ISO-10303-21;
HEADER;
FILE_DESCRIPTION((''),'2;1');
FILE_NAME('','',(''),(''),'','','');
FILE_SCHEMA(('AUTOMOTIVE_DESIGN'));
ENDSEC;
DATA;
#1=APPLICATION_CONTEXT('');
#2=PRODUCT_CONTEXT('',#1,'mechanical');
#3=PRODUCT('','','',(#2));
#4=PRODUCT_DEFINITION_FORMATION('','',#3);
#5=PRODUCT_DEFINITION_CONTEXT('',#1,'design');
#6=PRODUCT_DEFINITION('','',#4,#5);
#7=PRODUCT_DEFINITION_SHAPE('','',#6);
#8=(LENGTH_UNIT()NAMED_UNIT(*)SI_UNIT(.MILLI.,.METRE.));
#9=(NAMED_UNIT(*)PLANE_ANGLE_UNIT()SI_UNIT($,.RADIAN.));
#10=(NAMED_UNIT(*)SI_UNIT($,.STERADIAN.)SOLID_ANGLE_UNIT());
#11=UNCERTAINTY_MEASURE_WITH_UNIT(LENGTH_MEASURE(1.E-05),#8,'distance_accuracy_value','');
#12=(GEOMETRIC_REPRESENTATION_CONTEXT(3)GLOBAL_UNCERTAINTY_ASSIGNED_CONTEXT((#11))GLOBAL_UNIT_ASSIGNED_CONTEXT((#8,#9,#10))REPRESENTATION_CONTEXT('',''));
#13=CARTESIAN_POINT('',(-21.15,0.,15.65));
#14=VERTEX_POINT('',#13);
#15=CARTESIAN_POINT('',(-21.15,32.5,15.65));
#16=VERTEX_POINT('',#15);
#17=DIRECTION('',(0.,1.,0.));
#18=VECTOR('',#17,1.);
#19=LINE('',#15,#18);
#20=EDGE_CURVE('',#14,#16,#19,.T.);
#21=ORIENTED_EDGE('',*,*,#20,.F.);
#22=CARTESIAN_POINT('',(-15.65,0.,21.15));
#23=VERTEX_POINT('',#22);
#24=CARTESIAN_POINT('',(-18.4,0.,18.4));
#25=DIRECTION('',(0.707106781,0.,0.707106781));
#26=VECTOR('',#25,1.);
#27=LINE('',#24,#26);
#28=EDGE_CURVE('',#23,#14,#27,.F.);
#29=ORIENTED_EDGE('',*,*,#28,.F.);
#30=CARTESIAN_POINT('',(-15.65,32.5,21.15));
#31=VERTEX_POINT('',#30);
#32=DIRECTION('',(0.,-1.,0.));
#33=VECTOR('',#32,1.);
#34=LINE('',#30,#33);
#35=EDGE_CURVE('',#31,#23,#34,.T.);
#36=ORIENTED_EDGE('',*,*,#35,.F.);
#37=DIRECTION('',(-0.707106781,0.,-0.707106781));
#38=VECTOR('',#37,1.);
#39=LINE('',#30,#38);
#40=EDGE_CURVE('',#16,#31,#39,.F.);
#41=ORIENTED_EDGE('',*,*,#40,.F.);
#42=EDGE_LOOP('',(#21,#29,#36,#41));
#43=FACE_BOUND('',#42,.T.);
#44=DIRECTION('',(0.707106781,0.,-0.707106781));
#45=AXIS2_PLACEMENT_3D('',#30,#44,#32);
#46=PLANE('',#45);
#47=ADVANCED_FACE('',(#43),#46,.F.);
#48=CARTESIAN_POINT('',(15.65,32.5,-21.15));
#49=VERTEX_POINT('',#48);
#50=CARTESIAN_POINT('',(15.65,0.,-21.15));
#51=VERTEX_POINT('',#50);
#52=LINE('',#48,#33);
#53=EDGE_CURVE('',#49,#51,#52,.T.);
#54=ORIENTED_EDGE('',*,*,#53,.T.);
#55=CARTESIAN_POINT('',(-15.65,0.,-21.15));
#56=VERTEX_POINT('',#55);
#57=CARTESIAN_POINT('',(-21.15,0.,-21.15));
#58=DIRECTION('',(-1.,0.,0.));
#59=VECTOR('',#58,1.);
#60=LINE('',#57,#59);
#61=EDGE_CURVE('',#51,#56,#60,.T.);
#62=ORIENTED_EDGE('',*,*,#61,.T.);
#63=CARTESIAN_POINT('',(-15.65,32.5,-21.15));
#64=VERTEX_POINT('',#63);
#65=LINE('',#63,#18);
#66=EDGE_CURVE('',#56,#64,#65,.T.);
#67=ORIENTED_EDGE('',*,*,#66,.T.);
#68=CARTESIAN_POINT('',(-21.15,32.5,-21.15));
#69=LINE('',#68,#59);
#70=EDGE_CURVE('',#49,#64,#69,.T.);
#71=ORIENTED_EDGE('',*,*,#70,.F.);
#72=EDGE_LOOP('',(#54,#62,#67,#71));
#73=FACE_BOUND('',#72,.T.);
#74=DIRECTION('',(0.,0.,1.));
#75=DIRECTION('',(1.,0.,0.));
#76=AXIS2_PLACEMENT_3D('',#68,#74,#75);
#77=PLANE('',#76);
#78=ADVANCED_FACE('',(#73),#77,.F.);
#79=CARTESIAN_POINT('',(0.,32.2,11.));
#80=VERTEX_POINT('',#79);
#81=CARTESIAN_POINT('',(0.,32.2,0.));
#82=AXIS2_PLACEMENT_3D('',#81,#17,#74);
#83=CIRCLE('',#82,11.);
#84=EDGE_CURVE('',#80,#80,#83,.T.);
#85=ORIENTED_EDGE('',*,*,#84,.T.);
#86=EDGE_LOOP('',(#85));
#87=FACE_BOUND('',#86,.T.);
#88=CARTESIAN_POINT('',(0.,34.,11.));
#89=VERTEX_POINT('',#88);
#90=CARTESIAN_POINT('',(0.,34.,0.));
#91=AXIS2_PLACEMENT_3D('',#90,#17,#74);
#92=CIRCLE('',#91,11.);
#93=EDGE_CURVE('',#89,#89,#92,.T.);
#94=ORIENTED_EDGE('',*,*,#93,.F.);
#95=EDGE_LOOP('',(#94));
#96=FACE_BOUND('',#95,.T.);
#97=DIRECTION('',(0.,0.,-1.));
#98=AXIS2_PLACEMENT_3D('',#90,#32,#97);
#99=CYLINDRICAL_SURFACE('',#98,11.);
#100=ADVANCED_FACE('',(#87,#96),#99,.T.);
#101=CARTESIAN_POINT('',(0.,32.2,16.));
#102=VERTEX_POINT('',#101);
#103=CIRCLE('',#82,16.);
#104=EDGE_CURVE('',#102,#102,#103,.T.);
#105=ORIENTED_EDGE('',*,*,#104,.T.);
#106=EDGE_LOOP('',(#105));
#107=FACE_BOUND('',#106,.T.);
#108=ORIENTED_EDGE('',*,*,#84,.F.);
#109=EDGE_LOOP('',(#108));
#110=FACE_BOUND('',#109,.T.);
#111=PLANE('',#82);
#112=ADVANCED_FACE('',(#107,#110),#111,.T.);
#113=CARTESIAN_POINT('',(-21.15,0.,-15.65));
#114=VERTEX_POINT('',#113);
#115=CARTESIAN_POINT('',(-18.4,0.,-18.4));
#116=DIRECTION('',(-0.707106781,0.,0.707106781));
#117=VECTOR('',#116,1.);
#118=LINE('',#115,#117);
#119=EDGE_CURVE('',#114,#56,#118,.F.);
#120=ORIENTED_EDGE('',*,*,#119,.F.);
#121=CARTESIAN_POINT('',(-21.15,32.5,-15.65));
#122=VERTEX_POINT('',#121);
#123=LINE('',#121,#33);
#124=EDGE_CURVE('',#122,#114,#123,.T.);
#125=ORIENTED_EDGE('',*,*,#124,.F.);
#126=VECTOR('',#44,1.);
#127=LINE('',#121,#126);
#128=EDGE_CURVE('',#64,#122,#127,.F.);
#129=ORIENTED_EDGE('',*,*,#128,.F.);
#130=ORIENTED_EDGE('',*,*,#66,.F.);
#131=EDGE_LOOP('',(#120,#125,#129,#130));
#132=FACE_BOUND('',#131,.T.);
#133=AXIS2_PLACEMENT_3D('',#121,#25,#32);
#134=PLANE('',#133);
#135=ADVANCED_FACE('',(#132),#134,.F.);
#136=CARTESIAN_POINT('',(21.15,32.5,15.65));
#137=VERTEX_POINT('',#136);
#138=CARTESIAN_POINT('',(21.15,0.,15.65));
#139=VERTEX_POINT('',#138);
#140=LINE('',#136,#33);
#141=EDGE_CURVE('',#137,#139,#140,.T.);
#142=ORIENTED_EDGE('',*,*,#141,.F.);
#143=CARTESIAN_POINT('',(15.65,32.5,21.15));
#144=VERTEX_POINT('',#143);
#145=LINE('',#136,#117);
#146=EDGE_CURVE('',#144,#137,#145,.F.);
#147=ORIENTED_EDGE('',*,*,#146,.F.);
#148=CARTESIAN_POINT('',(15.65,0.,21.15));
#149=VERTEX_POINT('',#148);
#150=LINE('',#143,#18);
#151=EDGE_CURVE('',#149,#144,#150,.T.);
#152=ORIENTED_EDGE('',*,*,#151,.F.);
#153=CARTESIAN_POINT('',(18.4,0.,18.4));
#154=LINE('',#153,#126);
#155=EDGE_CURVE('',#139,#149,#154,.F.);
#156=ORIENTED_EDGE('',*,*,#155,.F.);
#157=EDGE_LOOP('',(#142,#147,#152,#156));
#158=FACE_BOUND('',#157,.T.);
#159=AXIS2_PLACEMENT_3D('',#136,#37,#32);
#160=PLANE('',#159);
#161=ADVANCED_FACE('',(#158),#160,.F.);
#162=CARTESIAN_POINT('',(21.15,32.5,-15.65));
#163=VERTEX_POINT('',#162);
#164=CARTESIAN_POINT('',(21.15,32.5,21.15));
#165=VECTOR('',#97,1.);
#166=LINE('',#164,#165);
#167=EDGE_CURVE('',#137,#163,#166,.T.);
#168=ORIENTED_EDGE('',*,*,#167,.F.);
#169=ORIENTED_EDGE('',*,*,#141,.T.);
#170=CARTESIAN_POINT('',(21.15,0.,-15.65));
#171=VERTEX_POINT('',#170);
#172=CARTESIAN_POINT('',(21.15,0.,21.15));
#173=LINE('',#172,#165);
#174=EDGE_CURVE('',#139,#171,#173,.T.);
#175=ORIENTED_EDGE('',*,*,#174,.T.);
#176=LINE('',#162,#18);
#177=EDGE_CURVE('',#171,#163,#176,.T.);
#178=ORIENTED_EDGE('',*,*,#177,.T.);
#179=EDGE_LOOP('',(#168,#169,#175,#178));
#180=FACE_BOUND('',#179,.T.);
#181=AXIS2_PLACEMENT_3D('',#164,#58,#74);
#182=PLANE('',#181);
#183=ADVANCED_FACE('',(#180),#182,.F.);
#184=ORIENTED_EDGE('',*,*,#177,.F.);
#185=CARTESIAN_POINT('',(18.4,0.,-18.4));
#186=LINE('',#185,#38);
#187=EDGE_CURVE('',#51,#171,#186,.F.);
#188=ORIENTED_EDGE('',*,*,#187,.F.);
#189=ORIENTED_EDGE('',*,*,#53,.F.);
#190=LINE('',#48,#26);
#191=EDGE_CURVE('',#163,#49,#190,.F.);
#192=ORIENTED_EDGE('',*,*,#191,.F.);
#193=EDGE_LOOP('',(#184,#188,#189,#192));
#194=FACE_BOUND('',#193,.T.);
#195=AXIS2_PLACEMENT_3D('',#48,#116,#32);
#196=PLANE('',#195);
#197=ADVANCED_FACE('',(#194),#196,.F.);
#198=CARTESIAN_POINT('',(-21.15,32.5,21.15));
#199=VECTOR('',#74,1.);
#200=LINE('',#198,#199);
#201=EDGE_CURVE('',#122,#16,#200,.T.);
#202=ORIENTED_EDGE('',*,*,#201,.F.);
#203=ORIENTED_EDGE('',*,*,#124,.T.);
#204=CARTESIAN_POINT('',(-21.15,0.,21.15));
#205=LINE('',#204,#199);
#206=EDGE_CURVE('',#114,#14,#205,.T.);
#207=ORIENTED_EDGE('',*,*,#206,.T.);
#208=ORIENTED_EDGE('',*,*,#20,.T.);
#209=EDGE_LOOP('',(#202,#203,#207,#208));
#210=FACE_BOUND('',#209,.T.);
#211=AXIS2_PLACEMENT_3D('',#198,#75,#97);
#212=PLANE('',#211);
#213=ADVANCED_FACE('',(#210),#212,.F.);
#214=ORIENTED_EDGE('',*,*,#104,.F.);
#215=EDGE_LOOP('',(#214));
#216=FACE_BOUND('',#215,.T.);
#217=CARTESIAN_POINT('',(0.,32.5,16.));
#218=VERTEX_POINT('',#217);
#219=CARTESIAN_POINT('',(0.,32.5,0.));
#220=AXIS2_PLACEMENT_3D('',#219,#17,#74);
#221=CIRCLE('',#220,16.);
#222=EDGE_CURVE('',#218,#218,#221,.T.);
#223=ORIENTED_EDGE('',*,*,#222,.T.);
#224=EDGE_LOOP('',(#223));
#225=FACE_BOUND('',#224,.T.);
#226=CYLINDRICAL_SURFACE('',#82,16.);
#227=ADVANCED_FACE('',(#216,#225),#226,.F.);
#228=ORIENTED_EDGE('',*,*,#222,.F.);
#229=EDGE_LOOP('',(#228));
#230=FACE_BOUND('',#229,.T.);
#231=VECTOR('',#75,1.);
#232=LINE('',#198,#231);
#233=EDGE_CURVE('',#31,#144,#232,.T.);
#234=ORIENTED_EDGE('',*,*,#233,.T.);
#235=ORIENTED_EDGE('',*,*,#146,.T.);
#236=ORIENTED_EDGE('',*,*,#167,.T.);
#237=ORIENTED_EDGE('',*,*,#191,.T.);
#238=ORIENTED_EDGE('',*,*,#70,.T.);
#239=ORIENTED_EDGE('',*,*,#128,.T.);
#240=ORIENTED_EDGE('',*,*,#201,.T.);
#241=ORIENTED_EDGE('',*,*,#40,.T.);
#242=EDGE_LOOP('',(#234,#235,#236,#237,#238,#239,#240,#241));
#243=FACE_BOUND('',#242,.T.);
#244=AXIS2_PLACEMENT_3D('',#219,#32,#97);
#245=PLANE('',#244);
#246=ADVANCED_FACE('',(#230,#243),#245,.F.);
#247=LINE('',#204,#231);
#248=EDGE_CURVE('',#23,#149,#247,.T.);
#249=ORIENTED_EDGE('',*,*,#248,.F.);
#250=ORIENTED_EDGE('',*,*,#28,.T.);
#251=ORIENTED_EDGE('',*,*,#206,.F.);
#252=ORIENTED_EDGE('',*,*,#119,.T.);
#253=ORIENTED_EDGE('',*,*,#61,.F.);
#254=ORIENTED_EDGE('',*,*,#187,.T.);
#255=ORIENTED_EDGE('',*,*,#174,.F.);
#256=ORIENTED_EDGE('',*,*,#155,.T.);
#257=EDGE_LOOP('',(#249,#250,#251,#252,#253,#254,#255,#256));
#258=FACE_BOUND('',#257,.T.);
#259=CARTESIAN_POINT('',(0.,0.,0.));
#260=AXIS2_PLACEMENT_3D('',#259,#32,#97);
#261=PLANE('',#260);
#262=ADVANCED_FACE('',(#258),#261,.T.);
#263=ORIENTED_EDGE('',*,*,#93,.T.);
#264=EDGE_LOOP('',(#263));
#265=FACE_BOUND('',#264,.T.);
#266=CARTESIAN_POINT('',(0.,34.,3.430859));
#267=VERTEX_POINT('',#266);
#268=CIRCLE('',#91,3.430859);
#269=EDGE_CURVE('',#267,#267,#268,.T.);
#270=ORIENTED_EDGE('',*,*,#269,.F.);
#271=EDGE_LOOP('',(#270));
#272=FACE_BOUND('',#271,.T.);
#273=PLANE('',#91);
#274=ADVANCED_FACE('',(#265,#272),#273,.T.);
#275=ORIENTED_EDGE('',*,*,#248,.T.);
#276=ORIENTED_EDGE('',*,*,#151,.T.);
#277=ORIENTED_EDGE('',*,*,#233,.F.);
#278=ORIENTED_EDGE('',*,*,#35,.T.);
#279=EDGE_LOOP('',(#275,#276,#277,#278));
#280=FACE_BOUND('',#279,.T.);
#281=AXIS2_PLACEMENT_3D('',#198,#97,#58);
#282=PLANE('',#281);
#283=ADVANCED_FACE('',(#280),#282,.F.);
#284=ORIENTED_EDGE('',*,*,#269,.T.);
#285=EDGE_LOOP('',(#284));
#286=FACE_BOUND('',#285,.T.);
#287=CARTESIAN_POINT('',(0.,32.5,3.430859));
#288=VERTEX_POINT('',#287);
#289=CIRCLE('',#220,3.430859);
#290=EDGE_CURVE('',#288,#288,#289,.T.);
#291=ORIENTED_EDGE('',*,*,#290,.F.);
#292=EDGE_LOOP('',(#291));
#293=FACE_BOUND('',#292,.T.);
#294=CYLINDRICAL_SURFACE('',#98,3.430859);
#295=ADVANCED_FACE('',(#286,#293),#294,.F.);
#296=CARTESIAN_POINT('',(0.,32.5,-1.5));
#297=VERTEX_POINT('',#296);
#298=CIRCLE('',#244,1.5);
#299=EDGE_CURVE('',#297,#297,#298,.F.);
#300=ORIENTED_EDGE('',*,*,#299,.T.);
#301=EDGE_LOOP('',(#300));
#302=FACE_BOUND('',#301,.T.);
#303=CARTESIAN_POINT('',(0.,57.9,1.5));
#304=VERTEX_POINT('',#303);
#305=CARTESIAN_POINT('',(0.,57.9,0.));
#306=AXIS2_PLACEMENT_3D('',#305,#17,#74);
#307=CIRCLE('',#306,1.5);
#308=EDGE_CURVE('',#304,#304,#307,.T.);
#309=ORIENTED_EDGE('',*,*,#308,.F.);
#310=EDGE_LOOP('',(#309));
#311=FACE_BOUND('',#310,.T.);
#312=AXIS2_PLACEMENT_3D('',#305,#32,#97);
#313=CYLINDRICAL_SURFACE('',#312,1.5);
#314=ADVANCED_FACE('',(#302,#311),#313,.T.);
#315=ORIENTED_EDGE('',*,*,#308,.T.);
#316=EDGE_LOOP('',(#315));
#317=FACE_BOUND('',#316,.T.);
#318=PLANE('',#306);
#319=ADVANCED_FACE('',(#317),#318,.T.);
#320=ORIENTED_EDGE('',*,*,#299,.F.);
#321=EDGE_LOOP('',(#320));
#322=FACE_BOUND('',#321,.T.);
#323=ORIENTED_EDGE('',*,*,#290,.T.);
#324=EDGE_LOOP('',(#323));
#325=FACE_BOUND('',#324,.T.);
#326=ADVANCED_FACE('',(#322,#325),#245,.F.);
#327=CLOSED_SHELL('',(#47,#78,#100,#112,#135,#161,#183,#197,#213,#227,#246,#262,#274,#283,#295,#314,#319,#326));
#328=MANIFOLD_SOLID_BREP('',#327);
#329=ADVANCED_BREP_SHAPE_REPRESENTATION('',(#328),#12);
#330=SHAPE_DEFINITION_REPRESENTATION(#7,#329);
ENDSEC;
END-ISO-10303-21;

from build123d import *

# Parameters (mm, degrees)
SKETCH2_W           = 42.3
SKETCH2_H           = 42.3
BOSS_EXTRUDE1_DEPTH = 32.5
CHAMFER1_SIZE       = 5.5
SKETCH3_R           = 11
SKETCH3_R_2         = 3.430858596
BOSS_EXTRUDE2_DEPTH = 1.5
SKETCH4_R           = 16
SKETCH4_R_2         = 11
CUT_EXTRUDE1_DEPTH  = 0.3
SKETCH5_R           = 1.5
BOSS_EXTRUDE3_DEPTH = 25.4


with BuildPart() as part:
    # Sketch2 → Boss-Extrude1 (new body)
    with BuildSketch(Plane(origin=(0, 0, 0), x_dir=(1, 0, 0), z_dir=(0, 1, 0))):
        Rectangle(SKETCH2_W, SKETCH2_H)
    extrude(amount=BOSS_EXTRUDE1_DEPTH)

    # Chamfer1
    chamfer1_edges = [part.edges().sort_by_distance(p)[0] for p in [
        (21.15, 16.25, 21.15),
        (-21.15, 16.25, 21.15),
        (-21.15, 16.25, -21.15),
        (21.15, 16.25, -21.15),
    ]]
    chamfer(chamfer1_edges, length=CHAMFER1_SIZE)

    # Sketch3 → Boss-Extrude2 (add)
    with BuildSketch(Plane(origin=(0, 32.5, 0), x_dir=(1, 0, 0), z_dir=(0, 1, 0))):
        Circle(SKETCH3_R)
        Circle(SKETCH3_R_2, mode=Mode.SUBTRACT)
    extrude(amount=BOSS_EXTRUDE2_DEPTH)

    # Sketch4 → Cut-Extrude1 (cut)
    with BuildSketch(Plane(origin=(0, 32.5, 0), x_dir=(1, 0, 0), z_dir=(0, 1, 0))):
        Circle(SKETCH4_R)
        Circle(SKETCH4_R_2, mode=Mode.SUBTRACT)
    extrude(amount=-CUT_EXTRUDE1_DEPTH, mode=Mode.SUBTRACT)

    # Sketch5 → Boss-Extrude3 (add)
    with BuildSketch(Plane(origin=(0, 32.5, 0), x_dir=(1, 0, 0), z_dir=(0, 1, 0))):
        Circle(SKETCH5_R)
    extrude(amount=BOSS_EXTRUDE3_DEPTH)


solid = part.part
